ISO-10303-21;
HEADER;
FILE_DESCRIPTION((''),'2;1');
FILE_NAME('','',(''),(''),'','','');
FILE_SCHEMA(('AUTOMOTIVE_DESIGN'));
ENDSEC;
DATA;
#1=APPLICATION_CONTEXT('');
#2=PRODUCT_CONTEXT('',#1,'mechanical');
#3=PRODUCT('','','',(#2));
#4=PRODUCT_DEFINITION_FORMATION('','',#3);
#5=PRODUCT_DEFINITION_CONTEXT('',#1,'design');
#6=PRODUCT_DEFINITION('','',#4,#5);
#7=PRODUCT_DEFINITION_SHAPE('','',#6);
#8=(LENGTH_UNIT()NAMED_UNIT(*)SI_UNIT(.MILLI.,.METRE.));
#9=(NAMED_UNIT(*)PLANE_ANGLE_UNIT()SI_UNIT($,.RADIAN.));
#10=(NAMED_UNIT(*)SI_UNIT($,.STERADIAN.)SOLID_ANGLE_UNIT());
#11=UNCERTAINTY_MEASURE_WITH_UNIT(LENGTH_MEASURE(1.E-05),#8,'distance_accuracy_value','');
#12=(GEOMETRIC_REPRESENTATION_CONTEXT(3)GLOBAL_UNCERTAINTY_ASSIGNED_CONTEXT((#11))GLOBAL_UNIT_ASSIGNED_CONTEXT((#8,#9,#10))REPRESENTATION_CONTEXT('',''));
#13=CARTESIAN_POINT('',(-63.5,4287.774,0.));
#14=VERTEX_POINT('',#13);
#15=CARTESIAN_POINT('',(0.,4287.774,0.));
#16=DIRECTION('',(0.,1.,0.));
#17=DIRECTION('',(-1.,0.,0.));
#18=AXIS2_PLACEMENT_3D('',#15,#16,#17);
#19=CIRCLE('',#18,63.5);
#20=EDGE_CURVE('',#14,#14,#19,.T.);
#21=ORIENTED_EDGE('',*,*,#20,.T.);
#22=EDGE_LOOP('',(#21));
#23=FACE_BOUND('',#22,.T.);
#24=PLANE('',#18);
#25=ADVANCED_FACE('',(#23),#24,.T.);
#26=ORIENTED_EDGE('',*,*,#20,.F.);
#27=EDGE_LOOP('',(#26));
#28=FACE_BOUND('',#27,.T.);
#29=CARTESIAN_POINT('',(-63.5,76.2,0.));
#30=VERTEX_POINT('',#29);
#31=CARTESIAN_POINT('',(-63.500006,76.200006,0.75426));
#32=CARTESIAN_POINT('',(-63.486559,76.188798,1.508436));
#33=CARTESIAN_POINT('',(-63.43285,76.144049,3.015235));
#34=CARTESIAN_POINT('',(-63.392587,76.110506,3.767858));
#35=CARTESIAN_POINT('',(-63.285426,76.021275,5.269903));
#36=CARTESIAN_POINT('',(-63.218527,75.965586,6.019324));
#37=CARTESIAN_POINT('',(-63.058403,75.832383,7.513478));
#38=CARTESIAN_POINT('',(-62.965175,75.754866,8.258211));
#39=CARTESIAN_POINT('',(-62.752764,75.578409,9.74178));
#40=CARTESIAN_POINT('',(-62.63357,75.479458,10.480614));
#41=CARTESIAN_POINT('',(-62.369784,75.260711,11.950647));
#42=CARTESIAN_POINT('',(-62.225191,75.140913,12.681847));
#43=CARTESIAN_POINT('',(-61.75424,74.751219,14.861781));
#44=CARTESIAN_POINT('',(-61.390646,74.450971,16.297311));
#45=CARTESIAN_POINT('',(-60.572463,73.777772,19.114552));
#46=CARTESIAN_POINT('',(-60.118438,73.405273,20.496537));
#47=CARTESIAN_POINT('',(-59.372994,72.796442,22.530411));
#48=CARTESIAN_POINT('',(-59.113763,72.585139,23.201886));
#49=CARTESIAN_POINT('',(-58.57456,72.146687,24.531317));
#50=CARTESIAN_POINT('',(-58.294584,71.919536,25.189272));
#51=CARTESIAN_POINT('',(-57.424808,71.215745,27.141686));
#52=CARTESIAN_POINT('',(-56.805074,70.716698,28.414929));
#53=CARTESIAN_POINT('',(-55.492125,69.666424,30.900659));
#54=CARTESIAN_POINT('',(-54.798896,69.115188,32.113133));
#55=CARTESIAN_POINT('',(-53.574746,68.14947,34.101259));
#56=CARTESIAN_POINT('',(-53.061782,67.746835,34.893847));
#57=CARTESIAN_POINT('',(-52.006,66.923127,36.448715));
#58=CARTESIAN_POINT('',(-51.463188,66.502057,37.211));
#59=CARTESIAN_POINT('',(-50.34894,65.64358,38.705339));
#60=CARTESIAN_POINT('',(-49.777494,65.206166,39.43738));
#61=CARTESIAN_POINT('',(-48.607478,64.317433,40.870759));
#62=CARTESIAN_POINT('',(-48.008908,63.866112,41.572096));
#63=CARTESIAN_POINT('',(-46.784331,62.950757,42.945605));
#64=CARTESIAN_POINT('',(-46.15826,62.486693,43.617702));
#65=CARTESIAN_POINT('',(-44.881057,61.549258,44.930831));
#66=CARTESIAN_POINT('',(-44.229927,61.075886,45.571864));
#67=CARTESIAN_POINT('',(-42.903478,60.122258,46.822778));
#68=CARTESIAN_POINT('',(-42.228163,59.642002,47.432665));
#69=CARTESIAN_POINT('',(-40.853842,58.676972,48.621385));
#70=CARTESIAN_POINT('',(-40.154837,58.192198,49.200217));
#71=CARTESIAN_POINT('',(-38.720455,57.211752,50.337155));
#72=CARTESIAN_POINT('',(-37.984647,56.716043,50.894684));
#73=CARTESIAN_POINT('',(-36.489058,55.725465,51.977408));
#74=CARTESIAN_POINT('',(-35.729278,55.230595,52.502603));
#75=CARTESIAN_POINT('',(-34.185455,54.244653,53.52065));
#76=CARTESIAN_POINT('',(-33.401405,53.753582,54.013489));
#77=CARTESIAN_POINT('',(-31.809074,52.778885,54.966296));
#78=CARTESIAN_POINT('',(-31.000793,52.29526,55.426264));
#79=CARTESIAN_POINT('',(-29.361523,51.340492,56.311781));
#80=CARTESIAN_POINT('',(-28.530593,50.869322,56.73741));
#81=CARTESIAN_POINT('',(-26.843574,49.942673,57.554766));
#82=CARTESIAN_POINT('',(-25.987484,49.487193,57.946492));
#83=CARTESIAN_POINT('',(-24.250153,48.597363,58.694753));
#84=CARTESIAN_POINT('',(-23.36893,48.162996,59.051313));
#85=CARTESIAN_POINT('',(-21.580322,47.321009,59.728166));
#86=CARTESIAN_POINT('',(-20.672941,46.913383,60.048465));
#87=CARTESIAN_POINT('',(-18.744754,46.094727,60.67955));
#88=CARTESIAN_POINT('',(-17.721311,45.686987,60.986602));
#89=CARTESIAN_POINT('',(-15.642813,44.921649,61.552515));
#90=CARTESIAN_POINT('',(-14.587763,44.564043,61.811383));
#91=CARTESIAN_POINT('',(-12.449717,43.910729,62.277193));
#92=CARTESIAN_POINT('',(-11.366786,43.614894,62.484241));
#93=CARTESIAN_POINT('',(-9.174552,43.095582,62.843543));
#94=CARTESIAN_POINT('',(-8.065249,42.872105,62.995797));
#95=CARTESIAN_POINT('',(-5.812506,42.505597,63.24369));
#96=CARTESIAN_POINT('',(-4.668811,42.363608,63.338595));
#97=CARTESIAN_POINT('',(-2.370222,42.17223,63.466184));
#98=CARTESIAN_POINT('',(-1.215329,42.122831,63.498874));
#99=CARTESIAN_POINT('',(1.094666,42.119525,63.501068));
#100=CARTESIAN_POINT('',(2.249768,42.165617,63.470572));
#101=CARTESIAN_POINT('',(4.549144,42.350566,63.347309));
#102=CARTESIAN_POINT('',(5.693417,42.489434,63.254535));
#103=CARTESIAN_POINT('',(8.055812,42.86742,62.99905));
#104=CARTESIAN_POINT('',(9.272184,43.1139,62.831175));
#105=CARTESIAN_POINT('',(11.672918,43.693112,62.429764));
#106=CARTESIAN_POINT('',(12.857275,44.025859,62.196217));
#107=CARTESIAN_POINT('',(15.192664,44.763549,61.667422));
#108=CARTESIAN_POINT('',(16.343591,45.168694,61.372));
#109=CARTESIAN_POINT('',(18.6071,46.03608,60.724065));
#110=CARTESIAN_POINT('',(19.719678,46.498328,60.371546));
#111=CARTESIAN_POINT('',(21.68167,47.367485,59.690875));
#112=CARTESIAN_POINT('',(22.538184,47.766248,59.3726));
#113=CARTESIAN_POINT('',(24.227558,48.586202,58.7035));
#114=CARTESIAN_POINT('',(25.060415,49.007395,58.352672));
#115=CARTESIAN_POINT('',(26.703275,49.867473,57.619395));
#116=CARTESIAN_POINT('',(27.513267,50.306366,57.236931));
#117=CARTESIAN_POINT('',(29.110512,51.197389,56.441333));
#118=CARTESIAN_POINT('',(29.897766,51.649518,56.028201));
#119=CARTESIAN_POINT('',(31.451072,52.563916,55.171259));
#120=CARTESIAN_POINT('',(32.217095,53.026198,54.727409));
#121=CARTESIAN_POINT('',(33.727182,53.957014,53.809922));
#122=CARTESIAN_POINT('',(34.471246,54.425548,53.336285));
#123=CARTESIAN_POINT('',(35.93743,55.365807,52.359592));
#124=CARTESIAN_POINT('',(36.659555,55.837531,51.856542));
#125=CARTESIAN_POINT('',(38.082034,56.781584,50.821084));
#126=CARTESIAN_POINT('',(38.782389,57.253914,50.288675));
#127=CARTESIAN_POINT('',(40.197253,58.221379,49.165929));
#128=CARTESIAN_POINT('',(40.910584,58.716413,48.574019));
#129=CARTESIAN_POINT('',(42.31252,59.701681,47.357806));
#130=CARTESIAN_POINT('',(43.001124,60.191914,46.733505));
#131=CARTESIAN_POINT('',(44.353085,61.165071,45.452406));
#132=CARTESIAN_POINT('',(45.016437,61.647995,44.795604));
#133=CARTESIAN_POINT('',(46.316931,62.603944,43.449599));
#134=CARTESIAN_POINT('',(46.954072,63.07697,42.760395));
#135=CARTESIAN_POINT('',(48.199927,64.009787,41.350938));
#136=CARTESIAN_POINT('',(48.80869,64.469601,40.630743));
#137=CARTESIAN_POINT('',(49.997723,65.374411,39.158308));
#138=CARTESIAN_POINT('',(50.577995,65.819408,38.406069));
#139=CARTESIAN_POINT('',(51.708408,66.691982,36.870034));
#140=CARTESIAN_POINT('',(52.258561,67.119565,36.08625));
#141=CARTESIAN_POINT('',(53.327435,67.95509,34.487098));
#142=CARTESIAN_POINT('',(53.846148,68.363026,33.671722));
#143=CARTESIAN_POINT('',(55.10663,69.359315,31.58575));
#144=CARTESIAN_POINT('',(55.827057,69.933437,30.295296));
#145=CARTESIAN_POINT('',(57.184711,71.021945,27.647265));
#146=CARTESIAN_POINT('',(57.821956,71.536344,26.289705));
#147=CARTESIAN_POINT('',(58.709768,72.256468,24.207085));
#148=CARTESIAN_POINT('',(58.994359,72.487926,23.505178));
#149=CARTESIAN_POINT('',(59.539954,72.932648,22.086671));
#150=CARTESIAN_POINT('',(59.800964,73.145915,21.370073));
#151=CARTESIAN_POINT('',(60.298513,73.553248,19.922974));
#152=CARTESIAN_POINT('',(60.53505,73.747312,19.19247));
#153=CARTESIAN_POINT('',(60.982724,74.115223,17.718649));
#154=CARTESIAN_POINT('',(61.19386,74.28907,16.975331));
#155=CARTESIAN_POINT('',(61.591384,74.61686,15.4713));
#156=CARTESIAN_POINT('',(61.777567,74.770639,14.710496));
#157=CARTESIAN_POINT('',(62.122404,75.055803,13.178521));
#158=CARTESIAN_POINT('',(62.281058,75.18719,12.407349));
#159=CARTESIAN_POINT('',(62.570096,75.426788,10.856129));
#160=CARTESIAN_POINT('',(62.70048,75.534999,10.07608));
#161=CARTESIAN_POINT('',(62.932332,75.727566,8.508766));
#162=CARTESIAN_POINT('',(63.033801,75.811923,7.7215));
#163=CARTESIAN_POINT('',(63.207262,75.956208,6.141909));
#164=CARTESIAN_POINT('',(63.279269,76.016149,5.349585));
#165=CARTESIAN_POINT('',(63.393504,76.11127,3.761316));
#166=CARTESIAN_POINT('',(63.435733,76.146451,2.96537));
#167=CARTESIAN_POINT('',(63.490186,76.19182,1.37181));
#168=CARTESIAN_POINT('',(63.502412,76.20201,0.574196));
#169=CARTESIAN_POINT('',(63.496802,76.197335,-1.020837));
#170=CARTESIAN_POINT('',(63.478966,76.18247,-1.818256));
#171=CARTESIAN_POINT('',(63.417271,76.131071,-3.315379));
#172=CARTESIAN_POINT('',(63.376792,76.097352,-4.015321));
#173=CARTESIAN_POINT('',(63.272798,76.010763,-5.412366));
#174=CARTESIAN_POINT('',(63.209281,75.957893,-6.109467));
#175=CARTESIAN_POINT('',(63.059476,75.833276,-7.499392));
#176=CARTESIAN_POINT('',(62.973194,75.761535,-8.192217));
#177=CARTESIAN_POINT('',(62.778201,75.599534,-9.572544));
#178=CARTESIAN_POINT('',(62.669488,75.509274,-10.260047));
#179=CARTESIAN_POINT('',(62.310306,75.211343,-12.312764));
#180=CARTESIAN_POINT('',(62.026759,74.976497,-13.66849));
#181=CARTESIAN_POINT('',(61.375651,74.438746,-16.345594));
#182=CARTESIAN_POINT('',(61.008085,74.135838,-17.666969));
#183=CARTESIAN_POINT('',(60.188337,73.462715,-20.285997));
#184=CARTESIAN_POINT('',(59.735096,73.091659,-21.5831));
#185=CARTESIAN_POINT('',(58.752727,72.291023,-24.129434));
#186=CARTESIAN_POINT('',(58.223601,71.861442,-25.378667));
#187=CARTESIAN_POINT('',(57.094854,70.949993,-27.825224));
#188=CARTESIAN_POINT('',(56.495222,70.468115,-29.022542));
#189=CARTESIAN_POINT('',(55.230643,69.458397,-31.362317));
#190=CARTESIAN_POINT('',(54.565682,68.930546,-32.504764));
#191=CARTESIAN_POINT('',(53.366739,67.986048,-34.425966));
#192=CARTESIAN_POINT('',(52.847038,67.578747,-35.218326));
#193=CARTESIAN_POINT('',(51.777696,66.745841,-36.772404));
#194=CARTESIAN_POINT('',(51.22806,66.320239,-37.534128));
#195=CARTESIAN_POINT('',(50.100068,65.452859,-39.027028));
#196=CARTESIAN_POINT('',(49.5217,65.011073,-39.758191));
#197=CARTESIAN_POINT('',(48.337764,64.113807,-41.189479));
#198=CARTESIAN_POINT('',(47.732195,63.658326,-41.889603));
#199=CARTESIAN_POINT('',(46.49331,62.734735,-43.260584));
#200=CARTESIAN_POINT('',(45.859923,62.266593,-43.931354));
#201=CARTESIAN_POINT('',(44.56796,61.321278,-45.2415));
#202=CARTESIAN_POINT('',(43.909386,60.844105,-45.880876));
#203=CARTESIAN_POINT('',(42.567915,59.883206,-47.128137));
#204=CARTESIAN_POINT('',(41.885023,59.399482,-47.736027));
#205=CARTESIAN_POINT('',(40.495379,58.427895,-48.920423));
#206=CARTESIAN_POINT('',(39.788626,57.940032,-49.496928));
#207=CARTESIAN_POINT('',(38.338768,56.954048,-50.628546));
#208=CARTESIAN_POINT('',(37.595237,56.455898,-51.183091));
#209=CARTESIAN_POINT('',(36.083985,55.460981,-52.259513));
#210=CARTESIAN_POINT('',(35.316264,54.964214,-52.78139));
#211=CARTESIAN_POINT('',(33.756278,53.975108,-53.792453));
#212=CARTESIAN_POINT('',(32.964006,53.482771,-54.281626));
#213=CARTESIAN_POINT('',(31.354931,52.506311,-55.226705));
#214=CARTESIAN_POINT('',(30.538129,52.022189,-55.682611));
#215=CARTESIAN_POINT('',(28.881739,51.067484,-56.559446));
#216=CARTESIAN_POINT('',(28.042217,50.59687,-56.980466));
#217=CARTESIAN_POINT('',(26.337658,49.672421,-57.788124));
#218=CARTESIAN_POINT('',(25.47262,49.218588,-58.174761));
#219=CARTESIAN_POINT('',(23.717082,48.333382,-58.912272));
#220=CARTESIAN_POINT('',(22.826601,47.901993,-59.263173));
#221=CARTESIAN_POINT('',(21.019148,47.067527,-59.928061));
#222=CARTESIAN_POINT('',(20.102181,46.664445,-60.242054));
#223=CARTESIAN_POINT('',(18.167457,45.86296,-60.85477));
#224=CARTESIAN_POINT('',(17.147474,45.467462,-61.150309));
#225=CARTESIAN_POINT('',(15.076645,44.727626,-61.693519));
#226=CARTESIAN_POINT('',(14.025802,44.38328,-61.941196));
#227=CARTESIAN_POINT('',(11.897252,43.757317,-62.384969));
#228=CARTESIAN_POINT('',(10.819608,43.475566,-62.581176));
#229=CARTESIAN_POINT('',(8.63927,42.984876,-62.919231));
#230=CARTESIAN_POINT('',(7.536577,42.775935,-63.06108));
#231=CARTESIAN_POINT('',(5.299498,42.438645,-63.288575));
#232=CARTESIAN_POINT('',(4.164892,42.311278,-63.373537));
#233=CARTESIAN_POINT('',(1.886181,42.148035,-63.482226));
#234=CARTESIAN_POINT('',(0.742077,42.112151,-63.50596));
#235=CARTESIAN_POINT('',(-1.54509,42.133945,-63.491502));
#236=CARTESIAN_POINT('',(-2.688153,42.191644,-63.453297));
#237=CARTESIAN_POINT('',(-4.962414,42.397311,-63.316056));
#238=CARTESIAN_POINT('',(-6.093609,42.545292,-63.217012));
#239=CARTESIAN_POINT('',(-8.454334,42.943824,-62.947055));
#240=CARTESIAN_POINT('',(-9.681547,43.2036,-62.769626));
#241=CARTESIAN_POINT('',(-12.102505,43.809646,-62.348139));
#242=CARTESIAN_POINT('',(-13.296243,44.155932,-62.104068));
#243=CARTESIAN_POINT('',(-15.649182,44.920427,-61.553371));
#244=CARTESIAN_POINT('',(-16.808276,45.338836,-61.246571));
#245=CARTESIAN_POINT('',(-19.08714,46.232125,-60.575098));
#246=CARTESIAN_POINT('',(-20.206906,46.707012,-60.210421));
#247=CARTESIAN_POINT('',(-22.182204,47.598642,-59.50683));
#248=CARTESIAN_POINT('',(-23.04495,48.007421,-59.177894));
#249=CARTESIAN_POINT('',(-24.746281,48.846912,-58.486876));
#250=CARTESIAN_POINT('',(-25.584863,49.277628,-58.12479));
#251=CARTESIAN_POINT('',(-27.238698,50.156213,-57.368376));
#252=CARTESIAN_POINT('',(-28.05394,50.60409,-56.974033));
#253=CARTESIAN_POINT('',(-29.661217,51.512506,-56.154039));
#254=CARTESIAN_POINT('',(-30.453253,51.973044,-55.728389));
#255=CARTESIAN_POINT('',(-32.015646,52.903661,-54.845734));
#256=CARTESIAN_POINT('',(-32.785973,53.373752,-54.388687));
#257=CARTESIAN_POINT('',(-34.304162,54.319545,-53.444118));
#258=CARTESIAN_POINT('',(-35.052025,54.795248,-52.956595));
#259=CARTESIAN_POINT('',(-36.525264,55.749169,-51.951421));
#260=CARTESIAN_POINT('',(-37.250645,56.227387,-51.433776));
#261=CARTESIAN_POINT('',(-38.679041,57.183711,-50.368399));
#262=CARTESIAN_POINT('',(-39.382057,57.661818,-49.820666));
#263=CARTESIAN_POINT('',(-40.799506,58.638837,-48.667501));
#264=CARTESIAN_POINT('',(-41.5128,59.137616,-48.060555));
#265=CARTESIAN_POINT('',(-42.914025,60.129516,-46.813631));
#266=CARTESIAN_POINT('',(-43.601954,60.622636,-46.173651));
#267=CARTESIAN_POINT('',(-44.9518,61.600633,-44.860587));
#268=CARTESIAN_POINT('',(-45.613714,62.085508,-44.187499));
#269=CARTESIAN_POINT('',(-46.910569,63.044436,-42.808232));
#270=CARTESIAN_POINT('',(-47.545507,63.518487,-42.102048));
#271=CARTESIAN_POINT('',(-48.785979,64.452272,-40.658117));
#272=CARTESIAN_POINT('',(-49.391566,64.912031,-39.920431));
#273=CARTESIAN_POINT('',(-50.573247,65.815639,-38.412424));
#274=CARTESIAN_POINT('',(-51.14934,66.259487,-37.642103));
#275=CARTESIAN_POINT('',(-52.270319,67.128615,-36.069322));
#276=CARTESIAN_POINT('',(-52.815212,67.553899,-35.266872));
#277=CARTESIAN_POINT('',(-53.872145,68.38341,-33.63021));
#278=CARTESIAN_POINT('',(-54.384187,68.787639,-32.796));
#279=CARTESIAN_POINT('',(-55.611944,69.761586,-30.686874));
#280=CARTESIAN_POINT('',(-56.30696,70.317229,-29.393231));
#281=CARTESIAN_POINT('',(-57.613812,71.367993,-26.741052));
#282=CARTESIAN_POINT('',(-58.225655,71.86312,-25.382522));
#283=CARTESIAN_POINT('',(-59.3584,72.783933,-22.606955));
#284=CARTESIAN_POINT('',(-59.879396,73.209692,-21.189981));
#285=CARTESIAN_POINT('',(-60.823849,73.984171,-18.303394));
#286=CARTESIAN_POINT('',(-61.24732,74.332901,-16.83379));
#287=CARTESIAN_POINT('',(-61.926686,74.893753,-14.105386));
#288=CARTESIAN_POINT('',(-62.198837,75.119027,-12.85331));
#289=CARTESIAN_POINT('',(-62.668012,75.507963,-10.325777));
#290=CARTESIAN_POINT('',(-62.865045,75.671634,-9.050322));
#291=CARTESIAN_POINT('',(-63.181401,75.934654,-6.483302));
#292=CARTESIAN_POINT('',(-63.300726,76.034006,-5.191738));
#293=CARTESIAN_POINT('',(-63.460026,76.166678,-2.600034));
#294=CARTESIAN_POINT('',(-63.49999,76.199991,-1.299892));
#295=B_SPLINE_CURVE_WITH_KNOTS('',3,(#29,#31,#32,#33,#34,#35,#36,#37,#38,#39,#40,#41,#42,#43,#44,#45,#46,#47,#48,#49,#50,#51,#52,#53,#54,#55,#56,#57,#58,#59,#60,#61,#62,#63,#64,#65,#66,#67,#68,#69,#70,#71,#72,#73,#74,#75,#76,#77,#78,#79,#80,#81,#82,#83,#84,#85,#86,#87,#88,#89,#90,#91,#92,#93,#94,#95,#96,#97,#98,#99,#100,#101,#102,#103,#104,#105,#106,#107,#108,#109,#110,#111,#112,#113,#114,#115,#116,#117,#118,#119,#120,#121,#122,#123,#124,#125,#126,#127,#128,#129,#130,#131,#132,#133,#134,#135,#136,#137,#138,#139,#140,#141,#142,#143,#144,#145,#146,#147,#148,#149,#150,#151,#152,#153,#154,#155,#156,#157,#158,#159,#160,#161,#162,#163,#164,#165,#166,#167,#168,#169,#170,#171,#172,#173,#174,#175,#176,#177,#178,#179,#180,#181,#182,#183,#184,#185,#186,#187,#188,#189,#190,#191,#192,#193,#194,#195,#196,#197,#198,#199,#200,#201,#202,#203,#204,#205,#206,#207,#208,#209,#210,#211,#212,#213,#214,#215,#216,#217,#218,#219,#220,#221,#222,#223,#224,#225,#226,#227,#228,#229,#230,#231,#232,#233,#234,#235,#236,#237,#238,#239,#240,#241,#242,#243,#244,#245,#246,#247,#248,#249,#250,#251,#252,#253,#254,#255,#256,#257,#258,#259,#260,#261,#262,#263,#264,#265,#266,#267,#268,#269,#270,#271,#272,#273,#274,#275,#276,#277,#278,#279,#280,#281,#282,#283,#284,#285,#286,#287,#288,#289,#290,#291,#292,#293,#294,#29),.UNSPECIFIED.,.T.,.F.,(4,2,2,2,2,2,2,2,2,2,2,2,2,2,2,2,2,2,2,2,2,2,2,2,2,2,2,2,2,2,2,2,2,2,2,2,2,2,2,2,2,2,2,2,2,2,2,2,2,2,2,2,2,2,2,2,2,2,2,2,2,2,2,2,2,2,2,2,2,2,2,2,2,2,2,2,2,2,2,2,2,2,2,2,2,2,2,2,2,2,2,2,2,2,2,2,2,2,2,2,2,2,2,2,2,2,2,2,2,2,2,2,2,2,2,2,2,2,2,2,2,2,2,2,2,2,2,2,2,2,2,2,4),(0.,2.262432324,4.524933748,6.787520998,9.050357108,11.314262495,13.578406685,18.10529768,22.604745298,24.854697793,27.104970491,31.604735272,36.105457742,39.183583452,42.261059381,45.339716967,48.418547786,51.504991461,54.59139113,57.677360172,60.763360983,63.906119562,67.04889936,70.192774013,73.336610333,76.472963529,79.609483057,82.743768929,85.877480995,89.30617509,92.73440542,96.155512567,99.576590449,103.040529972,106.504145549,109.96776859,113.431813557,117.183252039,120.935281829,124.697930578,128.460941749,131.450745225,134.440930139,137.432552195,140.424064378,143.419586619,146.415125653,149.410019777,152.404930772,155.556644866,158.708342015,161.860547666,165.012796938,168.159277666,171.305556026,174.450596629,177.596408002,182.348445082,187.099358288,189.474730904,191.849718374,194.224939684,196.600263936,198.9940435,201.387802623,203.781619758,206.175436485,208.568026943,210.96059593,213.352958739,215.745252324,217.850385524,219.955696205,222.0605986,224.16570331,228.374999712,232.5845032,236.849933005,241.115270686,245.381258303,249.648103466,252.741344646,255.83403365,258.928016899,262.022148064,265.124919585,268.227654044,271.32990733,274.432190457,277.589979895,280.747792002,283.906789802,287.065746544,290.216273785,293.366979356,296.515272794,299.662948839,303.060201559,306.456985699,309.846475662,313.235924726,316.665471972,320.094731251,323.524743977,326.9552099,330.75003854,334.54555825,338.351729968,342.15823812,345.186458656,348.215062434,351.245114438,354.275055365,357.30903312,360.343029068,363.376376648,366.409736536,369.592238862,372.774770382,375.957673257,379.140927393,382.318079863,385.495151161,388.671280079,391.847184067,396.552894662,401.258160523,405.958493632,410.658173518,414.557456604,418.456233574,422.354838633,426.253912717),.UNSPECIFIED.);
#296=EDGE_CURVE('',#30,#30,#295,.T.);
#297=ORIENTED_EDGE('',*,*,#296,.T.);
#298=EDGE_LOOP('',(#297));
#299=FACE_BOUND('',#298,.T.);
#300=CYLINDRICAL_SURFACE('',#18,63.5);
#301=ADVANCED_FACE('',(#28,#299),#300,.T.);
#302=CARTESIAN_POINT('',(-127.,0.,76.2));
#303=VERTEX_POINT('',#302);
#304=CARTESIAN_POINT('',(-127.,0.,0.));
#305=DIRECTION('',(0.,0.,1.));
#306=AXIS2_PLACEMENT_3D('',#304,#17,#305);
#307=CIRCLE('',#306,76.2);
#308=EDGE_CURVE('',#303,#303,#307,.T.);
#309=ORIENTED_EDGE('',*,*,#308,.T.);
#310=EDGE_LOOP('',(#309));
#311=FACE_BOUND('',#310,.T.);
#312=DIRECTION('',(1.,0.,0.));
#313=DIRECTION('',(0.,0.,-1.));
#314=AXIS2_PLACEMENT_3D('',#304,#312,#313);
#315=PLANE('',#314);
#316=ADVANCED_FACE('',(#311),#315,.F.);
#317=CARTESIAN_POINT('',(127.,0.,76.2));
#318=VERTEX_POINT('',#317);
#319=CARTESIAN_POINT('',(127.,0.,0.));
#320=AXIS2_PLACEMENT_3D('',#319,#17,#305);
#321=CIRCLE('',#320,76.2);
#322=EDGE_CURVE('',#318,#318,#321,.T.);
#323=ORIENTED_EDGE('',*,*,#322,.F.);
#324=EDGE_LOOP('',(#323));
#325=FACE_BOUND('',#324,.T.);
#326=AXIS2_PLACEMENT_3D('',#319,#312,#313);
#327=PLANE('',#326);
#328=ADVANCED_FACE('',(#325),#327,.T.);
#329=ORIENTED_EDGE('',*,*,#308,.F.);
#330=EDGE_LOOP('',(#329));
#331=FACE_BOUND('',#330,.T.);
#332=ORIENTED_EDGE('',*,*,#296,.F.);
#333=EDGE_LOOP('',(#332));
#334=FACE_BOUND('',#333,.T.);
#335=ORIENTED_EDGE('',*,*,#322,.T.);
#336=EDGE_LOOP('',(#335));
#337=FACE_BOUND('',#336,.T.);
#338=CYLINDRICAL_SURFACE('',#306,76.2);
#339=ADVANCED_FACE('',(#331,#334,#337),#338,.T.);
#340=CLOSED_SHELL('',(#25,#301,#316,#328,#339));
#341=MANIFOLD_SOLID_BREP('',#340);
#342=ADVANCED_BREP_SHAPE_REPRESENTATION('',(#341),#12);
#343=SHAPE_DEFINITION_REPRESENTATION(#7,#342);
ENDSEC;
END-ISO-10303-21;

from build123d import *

# Parameters (mm, degrees)
SKETCH1_W = 63.5
SKETCH1_H = 4287.774
SKETCH2_W = 254
SKETCH2_H = 76.2


with BuildPart() as part:
    # Sketch1 → Revolve1 (revolve)
    with BuildSketch(Plane.XY, mode=Mode.PRIVATE) as revolve1_sk:
        with Locations((31.75, 2143.887)):
            Rectangle(SKETCH1_W, SKETCH1_H)
    revolve(revolve1_sk.sketch.rotate(Axis((0, 4287.774, 0), (0, -1, 0)), 180), axis=Axis((0, 4287.774, 0), (0, -1, 0)))

    # Sketch2 → Revolve2 (revolve)
    with BuildSketch(Plane.XY, mode=Mode.PRIVATE) as revolve2_sk:
        with Locations((0, 38.1)):
            Rectangle(SKETCH2_W, SKETCH2_H)
    revolve(revolve2_sk.sketch.rotate(Axis((-127, 0, 0), (1, 0, 0)), 90), axis=Axis((-127, 0, 0), (1, 0, 0)))


solid = part.part
